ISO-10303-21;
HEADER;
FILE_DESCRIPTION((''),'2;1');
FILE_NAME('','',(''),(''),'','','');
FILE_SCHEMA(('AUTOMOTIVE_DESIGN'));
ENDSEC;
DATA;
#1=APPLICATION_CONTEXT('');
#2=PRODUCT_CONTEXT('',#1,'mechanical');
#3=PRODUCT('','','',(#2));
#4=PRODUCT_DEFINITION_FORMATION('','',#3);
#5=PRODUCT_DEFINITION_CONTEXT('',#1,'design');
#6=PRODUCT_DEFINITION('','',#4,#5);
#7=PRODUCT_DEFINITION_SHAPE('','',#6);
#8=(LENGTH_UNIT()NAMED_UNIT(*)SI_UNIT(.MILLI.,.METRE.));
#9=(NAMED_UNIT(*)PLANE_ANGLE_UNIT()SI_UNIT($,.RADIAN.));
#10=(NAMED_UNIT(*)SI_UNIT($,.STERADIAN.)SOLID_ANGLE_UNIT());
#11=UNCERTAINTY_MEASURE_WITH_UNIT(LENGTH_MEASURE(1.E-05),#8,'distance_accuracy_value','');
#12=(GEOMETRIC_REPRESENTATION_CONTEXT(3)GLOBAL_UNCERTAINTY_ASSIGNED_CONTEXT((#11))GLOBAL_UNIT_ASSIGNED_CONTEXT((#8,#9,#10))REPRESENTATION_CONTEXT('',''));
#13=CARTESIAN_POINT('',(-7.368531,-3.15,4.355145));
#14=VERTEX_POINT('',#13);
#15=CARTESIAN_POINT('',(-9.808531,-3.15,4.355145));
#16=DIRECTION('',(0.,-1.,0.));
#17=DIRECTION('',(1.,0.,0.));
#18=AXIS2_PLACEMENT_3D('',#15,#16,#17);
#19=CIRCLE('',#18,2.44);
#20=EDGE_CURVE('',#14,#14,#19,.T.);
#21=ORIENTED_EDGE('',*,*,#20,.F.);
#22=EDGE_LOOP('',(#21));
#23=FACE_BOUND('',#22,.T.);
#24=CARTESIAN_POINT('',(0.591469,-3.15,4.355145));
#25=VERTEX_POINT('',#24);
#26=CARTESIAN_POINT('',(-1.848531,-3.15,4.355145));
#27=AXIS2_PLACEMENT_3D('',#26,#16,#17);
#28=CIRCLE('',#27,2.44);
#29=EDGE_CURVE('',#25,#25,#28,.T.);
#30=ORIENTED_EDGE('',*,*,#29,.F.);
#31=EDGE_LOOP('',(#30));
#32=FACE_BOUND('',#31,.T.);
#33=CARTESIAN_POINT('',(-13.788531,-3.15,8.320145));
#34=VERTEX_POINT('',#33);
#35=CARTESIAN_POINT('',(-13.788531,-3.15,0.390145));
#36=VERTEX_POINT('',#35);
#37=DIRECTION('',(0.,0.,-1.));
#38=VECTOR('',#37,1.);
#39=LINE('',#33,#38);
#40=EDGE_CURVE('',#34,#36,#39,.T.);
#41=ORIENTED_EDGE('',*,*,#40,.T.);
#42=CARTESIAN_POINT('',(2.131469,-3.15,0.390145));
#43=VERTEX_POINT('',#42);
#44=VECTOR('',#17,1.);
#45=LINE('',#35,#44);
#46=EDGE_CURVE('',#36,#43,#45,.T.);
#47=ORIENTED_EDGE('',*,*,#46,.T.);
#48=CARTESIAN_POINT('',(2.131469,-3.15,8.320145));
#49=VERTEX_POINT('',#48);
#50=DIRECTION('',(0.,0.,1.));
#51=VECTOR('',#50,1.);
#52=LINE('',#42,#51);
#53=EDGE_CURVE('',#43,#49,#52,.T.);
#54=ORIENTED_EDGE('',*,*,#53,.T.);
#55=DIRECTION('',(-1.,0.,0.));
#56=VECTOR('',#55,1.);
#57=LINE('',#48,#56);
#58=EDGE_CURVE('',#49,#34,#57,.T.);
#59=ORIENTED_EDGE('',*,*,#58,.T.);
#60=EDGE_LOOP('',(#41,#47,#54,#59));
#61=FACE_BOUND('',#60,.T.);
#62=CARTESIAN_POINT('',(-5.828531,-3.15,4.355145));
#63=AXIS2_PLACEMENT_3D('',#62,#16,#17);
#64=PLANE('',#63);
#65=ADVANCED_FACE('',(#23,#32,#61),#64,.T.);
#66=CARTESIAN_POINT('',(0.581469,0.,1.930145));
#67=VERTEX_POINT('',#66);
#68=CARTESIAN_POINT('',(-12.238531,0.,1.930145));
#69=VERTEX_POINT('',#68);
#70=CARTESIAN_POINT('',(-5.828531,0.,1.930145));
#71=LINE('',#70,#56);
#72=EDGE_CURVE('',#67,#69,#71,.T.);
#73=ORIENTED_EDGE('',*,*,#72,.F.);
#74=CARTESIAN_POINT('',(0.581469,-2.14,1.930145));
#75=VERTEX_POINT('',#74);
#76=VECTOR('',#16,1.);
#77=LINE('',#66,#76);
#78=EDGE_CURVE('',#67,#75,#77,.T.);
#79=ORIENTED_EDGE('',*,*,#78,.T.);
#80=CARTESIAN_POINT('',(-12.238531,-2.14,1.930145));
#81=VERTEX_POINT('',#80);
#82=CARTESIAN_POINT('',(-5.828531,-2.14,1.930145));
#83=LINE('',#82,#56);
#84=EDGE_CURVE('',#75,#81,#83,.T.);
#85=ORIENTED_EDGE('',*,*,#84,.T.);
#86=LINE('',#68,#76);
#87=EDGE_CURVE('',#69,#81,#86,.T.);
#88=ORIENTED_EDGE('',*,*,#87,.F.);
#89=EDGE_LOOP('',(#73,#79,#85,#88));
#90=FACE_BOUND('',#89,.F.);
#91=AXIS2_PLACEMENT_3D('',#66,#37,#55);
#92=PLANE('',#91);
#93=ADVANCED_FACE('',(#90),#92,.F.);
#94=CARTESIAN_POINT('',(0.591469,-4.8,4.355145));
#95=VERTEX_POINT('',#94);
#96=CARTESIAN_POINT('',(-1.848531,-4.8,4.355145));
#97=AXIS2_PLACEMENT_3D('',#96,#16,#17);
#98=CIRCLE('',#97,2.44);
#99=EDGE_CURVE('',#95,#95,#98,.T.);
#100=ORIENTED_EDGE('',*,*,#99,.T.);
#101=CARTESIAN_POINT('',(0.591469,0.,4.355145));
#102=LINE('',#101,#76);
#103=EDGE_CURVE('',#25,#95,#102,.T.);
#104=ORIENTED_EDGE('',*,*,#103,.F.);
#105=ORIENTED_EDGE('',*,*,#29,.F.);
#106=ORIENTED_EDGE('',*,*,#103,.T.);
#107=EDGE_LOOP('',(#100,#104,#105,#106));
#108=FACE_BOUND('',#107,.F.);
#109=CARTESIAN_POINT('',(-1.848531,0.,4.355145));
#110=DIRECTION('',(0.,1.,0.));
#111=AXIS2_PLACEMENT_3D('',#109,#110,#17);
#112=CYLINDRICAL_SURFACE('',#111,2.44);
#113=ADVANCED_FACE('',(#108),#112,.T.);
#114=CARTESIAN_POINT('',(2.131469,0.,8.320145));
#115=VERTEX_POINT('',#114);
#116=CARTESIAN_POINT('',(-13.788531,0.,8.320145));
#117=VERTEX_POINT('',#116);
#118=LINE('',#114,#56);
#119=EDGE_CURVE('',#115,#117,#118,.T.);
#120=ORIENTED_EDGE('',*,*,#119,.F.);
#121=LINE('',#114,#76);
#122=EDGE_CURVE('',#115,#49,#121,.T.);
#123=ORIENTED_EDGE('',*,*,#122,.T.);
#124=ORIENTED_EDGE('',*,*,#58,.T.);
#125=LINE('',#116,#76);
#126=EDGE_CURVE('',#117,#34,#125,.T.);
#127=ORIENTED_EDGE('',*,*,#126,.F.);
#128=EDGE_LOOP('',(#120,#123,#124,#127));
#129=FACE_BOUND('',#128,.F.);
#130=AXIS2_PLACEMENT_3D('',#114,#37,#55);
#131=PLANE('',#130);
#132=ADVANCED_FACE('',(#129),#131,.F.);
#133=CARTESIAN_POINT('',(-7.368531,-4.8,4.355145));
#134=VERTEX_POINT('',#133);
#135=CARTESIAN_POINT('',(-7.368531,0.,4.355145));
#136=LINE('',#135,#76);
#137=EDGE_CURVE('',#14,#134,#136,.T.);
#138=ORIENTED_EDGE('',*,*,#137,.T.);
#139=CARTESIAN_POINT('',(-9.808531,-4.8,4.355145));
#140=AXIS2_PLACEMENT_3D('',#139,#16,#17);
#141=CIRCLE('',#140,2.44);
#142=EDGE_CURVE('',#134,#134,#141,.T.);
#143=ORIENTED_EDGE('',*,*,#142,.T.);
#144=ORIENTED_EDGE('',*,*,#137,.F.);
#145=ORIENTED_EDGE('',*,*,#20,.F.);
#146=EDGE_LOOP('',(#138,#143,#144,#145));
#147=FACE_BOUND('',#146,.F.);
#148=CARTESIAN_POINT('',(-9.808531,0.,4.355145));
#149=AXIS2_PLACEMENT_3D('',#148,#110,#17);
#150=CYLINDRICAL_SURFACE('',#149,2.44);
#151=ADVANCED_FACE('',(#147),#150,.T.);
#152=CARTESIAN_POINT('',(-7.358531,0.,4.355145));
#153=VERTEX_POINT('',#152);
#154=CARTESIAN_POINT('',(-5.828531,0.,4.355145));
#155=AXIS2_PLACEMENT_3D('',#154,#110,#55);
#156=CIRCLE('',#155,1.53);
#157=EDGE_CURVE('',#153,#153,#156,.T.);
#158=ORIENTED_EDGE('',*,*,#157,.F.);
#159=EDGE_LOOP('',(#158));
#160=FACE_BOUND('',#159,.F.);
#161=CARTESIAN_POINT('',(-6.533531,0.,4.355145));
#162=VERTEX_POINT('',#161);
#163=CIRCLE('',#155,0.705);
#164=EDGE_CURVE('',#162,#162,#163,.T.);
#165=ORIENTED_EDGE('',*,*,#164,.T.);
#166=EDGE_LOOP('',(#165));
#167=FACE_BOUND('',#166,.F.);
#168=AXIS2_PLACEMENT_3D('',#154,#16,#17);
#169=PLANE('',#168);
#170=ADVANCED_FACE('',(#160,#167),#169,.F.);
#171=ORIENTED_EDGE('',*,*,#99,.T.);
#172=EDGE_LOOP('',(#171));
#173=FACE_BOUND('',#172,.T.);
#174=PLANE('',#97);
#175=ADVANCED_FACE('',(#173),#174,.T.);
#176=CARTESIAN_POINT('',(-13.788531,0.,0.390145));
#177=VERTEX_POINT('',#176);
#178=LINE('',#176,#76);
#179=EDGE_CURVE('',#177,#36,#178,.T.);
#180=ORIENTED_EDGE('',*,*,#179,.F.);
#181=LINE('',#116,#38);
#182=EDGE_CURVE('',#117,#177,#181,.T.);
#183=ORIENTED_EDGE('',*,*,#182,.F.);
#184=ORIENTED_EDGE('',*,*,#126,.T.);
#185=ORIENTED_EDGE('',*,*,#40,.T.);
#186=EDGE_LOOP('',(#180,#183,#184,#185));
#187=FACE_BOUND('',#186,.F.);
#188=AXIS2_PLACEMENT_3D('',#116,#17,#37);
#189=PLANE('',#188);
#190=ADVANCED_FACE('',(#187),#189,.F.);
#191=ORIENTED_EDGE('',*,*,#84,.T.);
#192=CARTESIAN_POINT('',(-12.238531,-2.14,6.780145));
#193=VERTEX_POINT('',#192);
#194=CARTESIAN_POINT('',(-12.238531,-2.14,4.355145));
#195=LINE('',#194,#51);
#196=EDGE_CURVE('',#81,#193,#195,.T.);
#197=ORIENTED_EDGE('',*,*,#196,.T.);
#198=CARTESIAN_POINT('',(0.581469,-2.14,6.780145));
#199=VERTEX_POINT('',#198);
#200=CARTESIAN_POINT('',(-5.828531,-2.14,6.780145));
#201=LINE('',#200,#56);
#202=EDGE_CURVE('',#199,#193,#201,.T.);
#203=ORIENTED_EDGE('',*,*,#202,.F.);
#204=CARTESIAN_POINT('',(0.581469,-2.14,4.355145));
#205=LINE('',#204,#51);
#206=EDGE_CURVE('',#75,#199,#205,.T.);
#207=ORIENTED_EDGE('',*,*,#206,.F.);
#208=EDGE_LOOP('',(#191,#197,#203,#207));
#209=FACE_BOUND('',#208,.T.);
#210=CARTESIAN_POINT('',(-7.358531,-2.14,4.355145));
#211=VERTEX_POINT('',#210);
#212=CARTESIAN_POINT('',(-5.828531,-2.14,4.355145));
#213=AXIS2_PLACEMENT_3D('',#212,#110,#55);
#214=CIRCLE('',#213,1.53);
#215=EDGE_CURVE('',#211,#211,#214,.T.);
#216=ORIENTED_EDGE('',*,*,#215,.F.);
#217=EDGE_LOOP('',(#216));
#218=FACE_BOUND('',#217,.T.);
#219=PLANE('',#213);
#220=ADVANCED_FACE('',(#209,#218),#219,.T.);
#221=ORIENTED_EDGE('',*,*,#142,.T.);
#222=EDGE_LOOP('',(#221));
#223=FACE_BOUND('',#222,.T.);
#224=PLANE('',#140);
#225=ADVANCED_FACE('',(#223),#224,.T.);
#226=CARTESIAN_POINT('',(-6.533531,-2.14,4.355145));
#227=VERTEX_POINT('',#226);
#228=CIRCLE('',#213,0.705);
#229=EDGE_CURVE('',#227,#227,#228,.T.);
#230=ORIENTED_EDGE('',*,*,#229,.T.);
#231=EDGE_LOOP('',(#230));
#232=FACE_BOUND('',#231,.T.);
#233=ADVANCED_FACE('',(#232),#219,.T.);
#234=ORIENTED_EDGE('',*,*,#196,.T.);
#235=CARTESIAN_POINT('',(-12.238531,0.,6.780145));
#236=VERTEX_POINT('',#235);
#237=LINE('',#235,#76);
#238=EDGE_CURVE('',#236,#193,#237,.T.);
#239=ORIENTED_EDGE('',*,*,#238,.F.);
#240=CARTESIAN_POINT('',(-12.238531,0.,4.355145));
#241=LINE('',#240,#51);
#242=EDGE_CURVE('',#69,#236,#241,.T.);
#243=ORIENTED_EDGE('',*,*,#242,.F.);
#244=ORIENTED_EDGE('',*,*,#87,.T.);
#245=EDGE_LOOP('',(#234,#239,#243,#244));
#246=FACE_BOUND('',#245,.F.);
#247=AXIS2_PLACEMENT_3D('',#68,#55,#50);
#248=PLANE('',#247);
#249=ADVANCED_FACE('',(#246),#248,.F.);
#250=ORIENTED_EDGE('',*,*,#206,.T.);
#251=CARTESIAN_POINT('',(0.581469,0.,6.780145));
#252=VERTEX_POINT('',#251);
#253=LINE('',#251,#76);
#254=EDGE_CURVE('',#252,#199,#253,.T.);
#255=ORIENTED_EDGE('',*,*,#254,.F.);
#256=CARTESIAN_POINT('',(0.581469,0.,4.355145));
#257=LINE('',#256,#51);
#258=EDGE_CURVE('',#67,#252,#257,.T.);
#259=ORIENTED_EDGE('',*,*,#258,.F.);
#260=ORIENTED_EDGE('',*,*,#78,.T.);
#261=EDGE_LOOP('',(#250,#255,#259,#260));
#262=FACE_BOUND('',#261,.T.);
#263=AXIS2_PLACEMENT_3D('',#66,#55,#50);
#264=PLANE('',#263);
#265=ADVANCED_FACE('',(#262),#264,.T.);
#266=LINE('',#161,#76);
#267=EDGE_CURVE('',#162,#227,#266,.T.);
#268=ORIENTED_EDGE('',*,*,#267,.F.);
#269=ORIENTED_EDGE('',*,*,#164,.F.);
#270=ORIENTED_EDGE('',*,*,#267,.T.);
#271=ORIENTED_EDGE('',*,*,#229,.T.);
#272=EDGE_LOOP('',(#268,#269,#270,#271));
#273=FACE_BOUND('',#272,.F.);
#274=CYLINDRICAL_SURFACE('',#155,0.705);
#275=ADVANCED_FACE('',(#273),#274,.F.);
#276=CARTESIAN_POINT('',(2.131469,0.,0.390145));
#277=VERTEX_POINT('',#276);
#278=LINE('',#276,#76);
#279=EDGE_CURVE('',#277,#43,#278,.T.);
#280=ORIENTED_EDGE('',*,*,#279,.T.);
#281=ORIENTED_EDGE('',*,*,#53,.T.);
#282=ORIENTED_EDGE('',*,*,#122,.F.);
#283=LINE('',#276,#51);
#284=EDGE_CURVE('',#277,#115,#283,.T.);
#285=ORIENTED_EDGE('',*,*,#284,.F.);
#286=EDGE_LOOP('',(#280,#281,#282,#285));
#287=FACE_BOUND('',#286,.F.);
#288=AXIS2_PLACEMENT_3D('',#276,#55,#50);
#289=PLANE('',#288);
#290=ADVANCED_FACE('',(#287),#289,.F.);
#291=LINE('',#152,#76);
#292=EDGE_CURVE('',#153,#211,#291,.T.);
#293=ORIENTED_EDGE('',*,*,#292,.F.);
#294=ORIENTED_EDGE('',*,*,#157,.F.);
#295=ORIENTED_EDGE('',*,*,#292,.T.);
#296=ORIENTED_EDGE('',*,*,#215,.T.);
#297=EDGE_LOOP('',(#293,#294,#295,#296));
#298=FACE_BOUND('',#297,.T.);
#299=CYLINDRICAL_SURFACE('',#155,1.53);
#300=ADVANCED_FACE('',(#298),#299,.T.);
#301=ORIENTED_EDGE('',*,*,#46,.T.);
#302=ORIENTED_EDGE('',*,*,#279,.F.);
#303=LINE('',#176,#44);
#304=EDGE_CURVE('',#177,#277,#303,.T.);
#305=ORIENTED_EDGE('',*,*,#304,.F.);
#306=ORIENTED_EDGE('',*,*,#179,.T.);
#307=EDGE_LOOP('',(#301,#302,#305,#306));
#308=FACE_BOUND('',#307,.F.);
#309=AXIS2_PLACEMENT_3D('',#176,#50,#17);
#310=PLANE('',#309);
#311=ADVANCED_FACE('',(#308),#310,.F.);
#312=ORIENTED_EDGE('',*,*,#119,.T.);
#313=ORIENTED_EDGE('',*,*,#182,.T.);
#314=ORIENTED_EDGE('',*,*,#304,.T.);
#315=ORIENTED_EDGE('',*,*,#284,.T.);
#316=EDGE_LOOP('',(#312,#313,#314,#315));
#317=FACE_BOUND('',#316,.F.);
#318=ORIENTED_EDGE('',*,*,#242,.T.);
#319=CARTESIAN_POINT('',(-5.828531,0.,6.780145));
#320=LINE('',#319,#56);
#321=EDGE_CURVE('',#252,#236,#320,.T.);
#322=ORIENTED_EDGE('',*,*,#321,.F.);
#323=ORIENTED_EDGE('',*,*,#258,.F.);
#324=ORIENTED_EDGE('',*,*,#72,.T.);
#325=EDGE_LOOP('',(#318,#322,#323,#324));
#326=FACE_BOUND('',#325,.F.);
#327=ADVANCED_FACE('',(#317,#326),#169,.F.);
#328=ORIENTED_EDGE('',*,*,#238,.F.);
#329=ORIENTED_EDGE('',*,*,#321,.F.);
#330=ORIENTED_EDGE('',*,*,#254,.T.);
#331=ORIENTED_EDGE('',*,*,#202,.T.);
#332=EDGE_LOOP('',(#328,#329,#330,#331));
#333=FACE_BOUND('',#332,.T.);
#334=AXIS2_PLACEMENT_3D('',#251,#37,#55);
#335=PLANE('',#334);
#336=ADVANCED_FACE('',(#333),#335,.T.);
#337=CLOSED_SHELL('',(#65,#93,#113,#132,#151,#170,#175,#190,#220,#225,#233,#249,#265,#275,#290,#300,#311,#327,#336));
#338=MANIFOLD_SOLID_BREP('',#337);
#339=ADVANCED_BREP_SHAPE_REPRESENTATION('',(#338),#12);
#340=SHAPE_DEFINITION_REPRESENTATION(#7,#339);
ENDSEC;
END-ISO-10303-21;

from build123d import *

# Parameters (mm, degrees)
F0_R     = 2.44
F1_DEPTH = 3.15
F2_DEPTH = 4.8
F3_W     = 12.82
F3_H     = 4.85
F3_R     = 1.53
F3_R_2   = 0.705
F4_DEPTH = 2.14


with BuildPart() as f1:
    # F0 (on Front) → F1 (new body)
    with BuildSketch(Plane.XZ):
        Polygon((2.131469, 8.320145), (-13.788531, 8.320145), (-13.788531, 0.390145), (-10.388192, 0.390145), (-7.928192, 0.390145), (-3.748192, 0.390145), (-1.288192, 0.390145), (2.131469, 0.390145), align=None)
        with Locations((-9.808531, 4.355145)):
            Circle(F0_R, mode=Mode.SUBTRACT)
        with Locations((-1.848531, 4.355145)):
            Circle(F0_R, mode=Mode.SUBTRACT)
    extrude(amount=F1_DEPTH)

    # F0 (on Front) → F2 (join)
    with BuildSketch(Plane.XZ):
        with Locations((-9.808531, 4.355145)):
            Circle(F0_R)
        with Locations((-1.848531, 4.355145)):
            Circle(F0_R)
    extrude(amount=F2_DEPTH)

    # F3 (on face) → F4 (cut)
    with BuildSketch(Plane(origin=(0, 0, 0), x_dir=(-1, 0, 0), z_dir=(0, 1, 0))):
        with Locations((5.828531, 4.355145)):
            Rectangle(F3_W, F3_H)
        with Locations((5.828531, 4.355145)):
            Circle(F3_R, mode=Mode.SUBTRACT)
        with Locations((5.828531, 4.355145)):
            Circle(F3_R_2)
    extrude(amount=-F4_DEPTH, mode=Mode.SUBTRACT)


solid = f1.part
